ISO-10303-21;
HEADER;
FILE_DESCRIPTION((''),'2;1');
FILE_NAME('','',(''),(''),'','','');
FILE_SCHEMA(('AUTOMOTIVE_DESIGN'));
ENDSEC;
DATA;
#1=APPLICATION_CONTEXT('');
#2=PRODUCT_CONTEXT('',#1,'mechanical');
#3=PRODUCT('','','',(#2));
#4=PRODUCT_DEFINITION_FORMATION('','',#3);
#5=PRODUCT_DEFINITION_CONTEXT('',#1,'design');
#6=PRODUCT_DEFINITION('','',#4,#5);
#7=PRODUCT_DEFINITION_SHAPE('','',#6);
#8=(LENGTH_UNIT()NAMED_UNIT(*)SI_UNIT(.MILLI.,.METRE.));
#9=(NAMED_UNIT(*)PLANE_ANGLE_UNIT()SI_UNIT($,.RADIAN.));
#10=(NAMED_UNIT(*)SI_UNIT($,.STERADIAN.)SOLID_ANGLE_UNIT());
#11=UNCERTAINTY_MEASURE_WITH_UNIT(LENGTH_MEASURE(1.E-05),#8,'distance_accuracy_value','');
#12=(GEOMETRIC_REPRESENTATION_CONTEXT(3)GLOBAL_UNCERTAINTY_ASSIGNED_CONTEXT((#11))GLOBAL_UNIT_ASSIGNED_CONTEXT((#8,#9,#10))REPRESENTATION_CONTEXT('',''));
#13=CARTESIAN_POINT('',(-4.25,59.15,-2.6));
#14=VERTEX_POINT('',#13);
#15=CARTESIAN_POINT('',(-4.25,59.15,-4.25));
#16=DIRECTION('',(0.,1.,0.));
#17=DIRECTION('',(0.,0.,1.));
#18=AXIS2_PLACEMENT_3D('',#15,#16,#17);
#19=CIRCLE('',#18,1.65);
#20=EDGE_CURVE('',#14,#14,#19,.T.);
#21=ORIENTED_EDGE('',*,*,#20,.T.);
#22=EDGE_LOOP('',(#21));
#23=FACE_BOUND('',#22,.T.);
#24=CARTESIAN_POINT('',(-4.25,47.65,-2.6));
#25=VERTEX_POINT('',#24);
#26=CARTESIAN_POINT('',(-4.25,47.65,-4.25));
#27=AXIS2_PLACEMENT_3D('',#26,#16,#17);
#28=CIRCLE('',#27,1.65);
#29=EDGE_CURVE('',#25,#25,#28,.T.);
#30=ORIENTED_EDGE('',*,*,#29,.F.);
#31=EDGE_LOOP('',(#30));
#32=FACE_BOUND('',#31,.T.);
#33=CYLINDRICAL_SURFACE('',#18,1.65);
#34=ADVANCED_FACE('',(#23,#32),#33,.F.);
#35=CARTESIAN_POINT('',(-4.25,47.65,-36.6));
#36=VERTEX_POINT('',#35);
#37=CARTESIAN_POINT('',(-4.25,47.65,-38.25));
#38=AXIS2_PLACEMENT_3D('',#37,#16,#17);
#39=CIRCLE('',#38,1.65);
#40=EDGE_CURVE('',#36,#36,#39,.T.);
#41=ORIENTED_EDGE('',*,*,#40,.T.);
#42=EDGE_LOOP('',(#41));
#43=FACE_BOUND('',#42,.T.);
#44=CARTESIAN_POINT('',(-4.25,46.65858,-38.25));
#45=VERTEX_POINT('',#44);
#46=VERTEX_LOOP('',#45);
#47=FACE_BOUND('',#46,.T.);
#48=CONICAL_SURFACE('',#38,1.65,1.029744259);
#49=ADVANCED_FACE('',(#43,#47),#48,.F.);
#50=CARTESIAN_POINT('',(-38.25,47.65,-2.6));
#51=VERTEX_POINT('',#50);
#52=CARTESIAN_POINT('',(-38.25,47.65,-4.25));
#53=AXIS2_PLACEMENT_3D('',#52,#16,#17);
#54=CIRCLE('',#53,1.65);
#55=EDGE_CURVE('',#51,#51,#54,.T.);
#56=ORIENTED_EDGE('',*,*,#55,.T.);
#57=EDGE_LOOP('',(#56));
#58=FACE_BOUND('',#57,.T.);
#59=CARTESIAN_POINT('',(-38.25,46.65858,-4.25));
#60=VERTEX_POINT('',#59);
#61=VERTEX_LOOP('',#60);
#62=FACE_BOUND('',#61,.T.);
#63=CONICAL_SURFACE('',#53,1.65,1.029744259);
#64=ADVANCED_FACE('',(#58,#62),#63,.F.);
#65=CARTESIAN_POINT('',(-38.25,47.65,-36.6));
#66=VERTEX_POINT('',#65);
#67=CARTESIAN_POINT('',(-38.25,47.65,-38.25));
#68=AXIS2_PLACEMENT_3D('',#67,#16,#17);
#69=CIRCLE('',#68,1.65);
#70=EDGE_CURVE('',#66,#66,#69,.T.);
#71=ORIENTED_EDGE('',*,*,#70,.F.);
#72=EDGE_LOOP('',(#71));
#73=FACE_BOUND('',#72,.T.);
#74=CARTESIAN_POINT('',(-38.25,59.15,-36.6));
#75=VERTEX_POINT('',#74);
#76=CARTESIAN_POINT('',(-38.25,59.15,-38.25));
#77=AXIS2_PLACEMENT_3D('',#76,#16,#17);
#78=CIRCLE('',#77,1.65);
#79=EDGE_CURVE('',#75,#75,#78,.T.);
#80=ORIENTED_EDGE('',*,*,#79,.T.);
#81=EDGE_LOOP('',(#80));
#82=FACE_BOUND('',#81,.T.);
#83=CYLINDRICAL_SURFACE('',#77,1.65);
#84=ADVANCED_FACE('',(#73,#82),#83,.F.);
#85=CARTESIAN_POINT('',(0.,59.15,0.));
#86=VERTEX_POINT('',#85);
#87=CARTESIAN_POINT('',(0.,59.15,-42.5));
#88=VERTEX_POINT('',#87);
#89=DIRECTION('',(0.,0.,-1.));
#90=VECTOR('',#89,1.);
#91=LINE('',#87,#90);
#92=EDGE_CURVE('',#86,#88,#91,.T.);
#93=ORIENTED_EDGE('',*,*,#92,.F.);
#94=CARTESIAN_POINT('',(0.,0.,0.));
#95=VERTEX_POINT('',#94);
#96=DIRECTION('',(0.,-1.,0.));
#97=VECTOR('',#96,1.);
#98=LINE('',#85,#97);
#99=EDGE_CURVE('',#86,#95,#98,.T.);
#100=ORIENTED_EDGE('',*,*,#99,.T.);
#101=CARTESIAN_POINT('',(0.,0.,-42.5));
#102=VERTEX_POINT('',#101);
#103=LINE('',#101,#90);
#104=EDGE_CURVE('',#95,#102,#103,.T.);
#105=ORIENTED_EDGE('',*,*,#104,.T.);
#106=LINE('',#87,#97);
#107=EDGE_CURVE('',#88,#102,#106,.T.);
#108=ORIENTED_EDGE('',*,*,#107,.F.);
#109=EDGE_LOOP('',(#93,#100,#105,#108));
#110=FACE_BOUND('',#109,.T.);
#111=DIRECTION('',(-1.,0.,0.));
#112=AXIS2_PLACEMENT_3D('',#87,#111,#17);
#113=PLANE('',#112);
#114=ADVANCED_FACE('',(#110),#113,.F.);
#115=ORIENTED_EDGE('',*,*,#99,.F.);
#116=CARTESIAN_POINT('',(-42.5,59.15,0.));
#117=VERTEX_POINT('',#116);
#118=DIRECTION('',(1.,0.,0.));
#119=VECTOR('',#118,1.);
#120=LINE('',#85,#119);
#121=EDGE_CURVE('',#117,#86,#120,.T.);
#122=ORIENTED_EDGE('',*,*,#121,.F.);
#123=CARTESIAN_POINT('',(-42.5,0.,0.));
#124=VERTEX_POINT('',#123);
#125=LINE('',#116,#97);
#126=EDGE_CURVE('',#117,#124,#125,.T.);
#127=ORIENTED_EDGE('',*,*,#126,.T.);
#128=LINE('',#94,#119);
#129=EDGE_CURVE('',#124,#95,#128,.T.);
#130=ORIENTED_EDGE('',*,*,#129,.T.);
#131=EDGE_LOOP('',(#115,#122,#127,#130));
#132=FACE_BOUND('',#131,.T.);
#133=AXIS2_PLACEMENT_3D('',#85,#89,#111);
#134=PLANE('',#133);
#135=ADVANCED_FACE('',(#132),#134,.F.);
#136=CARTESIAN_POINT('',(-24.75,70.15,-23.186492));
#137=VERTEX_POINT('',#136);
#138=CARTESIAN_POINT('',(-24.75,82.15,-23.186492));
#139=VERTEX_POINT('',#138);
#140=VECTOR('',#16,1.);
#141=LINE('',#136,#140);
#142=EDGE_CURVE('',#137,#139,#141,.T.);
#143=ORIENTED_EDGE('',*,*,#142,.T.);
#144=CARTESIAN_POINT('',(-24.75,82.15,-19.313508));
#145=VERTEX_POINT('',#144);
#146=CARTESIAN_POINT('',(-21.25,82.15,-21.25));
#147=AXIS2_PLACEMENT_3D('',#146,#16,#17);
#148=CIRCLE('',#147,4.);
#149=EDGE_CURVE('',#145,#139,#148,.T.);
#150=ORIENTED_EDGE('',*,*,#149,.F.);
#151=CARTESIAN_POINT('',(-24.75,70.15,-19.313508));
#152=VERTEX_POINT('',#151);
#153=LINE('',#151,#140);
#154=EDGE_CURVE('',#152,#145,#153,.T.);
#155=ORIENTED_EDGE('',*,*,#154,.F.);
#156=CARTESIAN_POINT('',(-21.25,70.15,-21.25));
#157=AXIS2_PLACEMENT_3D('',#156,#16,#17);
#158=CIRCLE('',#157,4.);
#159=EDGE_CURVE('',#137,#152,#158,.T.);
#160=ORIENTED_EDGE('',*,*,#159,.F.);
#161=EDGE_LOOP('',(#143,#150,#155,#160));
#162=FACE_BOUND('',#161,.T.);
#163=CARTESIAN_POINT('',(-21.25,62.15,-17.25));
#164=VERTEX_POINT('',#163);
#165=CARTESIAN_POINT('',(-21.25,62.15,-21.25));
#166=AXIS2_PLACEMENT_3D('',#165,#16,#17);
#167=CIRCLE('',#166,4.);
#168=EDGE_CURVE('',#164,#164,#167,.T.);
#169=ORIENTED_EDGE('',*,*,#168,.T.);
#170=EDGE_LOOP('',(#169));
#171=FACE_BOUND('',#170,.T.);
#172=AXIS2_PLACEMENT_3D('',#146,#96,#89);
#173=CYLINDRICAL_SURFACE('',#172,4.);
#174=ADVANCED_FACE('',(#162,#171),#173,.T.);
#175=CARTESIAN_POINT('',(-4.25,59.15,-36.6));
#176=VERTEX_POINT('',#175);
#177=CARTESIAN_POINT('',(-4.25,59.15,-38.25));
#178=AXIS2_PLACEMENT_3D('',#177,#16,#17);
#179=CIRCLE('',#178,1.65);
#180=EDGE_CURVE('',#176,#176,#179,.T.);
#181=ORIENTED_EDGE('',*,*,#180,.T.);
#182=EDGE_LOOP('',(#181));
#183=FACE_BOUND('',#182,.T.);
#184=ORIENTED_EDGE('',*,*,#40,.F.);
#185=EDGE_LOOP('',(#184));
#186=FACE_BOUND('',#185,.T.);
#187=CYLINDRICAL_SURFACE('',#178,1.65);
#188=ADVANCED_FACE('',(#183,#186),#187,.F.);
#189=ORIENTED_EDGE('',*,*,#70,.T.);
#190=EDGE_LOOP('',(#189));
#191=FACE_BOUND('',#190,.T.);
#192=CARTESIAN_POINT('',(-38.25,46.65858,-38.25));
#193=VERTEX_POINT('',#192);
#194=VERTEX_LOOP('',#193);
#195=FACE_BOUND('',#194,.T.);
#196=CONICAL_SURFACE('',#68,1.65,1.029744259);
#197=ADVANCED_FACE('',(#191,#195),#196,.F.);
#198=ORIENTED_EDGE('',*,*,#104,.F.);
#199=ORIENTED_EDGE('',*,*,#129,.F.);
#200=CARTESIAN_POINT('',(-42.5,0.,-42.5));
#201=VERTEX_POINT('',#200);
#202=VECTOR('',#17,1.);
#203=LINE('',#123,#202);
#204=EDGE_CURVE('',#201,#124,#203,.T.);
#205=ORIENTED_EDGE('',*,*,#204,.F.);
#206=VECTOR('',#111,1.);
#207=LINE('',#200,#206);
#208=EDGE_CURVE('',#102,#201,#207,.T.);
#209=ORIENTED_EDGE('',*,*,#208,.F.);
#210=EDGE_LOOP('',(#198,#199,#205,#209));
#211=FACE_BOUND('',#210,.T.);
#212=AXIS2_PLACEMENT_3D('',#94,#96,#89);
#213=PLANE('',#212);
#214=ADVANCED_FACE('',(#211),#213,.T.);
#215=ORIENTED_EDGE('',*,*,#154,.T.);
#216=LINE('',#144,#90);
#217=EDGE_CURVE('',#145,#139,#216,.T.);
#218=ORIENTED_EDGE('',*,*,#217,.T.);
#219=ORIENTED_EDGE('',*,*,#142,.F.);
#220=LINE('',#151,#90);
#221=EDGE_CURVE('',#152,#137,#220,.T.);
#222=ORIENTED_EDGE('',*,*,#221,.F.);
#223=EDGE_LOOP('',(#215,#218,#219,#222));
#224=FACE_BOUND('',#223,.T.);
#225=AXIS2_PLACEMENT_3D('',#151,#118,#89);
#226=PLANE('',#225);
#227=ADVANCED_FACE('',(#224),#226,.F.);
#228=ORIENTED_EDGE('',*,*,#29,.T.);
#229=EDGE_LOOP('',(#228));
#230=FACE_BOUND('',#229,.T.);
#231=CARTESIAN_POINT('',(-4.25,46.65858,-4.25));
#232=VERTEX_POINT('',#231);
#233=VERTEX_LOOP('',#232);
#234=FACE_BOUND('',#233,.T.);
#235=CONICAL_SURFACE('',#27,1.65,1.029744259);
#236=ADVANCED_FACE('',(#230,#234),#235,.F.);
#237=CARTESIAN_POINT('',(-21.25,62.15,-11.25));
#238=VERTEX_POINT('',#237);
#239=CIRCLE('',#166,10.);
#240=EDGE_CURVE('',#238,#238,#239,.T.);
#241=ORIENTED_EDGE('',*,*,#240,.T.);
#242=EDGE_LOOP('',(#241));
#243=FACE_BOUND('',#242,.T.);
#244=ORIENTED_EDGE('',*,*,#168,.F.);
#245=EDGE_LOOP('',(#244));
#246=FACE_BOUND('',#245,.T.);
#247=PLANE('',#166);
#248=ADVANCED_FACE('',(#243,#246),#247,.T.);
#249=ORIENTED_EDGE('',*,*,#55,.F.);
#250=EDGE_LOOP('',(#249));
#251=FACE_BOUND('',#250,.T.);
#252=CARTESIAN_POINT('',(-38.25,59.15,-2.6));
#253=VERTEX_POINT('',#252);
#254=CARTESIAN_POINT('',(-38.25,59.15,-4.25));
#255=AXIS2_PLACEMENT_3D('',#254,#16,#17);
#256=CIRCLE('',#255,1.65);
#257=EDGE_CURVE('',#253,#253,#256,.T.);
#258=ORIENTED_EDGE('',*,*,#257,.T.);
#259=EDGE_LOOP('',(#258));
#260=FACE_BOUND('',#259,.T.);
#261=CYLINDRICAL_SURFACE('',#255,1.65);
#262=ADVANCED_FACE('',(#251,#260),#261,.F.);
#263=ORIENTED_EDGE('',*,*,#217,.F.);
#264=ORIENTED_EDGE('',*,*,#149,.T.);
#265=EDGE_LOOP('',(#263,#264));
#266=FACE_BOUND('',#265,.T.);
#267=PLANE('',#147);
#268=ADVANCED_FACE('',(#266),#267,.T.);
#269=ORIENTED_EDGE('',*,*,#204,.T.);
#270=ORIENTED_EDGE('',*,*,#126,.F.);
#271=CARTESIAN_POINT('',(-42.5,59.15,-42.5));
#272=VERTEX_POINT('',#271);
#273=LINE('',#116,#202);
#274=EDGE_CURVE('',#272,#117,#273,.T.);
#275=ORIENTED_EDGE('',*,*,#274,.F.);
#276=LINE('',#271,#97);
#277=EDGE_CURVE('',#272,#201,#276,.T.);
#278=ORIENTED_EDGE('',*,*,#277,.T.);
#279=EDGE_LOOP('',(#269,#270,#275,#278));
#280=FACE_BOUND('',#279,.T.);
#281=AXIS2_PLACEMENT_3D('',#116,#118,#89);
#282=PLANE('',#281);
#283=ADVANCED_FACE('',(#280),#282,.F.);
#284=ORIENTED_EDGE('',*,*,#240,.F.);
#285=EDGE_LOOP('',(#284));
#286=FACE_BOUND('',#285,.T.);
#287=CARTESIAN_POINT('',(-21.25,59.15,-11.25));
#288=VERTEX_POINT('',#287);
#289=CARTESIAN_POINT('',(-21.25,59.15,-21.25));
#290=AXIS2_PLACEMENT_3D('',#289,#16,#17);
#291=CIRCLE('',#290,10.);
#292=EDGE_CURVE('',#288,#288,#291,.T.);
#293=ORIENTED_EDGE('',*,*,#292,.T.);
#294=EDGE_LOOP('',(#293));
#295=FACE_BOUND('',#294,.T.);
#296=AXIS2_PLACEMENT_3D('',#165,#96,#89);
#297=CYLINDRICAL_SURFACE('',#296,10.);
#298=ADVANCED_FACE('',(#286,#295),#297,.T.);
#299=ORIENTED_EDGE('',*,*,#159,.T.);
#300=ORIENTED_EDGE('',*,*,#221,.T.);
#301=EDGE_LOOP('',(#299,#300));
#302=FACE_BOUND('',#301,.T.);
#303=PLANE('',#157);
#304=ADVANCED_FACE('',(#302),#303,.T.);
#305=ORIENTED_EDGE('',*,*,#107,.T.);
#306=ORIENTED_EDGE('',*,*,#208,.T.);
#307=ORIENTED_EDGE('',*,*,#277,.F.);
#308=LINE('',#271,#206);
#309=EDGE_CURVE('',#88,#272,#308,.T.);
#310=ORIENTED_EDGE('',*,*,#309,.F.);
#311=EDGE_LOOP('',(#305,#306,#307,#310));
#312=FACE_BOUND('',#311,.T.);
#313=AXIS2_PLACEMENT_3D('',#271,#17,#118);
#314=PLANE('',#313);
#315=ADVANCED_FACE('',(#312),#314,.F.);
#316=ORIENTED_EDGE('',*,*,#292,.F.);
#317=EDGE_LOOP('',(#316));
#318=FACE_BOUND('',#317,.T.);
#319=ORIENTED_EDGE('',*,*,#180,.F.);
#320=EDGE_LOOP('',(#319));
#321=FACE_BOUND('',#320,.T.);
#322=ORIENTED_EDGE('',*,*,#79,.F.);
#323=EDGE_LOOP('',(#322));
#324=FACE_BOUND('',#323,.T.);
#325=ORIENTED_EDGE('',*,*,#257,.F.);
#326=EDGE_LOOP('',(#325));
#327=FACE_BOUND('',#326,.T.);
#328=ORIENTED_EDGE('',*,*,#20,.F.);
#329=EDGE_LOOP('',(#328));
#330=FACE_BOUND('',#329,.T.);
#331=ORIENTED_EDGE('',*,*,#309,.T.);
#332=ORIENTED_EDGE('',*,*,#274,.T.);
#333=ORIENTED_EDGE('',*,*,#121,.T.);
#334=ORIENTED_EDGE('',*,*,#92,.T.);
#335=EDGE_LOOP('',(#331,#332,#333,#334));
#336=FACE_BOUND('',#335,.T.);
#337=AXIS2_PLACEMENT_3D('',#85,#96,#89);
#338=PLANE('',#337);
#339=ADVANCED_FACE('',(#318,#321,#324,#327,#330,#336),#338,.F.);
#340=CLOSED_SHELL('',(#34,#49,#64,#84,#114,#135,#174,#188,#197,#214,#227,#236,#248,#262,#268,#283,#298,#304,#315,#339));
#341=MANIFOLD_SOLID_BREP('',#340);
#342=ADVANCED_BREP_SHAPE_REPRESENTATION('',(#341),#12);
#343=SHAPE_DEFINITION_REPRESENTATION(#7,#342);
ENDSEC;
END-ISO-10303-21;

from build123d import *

# Parameters (mm, degrees)
SKETCH_1_W          = 42.5
SKETCH_1_H          = 42.5
EXTRUDE_1_DEPTH     = 59.15
SKETCH_2_R          = 10
EXTRUDE_2_DEPTH     = 3
SKETCH_3_R          = 4
EXTRUDE_3_DEPTH     = 20
HOLE_WIZARD_3_D     = 3.3
HOLE_WIZARD_3_DEPTH = 11.5
HOLE_WIZARD_3_TIP   = 0.991420021
EXTRUDE_4_DEPTH     = 12


with BuildPart() as part:
    # 스케치1 → 돌출1 (new body)
    with BuildSketch(Plane(origin=(0, 0, 0), x_dir=(-1, 0, 0), z_dir=(0, 1, 0))):
        with Locations((21.25, -21.25)):
            Rectangle(SKETCH_1_W, SKETCH_1_H)
    extrude(amount=EXTRUDE_1_DEPTH)

    # 스케치2 → 돌출2 (add)
    with BuildSketch(Plane(origin=(0, 59.15, 0), x_dir=(-1, 0, 0), z_dir=(0, 1, 0))):
        with Locations((21.25, -21.25)):
            Circle(SKETCH_2_R)
    extrude(amount=EXTRUDE_2_DEPTH)

    # 스케치3 → 돌출3 (add)
    with BuildSketch(Plane(origin=(0, 62.15, 0), x_dir=(-1, 0, 0), z_dir=(0, 1, 0))):
        with Locations((21.25, -21.25)):
            Circle(SKETCH_3_R)
    extrude(amount=EXTRUDE_3_DEPTH)

    # 구멍3
    with Locations(Plane(origin=(0, 59.15, 0), x_dir=(1, 0, 0), z_dir=(0, 1, 0))):
        with Locations((-4.25, 38.25), (-4.25, 4.25), (-38.25, 4.25), (-38.25, 38.25)):
            Hole(HOLE_WIZARD_3_D / 2, depth=HOLE_WIZARD_3_DEPTH)
            with Locations((0, 0, -(HOLE_WIZARD_3_DEPTH + HOLE_WIZARD_3_TIP / 2))):  # 118° drill point
                Cone(0, HOLE_WIZARD_3_D / 2, HOLE_WIZARD_3_TIP, mode=Mode.SUBTRACT)

    # 스케치6 → 돌출4 (cut)
    with BuildSketch(Plane(origin=(0, 82.15, 0), x_dir=(-1, 0, 0), z_dir=(0, 1, 0))):
        with BuildLine():
            Line((24.75, -19.313508327), (24.75, -23.186491673))
            ThreePointArc((24.75, -23.186491673), (25.25, -21.25), (24.75, -19.313508327))
        make_face()
    extrude(amount=-EXTRUDE_4_DEPTH, mode=Mode.SUBTRACT)


solid = part.part
